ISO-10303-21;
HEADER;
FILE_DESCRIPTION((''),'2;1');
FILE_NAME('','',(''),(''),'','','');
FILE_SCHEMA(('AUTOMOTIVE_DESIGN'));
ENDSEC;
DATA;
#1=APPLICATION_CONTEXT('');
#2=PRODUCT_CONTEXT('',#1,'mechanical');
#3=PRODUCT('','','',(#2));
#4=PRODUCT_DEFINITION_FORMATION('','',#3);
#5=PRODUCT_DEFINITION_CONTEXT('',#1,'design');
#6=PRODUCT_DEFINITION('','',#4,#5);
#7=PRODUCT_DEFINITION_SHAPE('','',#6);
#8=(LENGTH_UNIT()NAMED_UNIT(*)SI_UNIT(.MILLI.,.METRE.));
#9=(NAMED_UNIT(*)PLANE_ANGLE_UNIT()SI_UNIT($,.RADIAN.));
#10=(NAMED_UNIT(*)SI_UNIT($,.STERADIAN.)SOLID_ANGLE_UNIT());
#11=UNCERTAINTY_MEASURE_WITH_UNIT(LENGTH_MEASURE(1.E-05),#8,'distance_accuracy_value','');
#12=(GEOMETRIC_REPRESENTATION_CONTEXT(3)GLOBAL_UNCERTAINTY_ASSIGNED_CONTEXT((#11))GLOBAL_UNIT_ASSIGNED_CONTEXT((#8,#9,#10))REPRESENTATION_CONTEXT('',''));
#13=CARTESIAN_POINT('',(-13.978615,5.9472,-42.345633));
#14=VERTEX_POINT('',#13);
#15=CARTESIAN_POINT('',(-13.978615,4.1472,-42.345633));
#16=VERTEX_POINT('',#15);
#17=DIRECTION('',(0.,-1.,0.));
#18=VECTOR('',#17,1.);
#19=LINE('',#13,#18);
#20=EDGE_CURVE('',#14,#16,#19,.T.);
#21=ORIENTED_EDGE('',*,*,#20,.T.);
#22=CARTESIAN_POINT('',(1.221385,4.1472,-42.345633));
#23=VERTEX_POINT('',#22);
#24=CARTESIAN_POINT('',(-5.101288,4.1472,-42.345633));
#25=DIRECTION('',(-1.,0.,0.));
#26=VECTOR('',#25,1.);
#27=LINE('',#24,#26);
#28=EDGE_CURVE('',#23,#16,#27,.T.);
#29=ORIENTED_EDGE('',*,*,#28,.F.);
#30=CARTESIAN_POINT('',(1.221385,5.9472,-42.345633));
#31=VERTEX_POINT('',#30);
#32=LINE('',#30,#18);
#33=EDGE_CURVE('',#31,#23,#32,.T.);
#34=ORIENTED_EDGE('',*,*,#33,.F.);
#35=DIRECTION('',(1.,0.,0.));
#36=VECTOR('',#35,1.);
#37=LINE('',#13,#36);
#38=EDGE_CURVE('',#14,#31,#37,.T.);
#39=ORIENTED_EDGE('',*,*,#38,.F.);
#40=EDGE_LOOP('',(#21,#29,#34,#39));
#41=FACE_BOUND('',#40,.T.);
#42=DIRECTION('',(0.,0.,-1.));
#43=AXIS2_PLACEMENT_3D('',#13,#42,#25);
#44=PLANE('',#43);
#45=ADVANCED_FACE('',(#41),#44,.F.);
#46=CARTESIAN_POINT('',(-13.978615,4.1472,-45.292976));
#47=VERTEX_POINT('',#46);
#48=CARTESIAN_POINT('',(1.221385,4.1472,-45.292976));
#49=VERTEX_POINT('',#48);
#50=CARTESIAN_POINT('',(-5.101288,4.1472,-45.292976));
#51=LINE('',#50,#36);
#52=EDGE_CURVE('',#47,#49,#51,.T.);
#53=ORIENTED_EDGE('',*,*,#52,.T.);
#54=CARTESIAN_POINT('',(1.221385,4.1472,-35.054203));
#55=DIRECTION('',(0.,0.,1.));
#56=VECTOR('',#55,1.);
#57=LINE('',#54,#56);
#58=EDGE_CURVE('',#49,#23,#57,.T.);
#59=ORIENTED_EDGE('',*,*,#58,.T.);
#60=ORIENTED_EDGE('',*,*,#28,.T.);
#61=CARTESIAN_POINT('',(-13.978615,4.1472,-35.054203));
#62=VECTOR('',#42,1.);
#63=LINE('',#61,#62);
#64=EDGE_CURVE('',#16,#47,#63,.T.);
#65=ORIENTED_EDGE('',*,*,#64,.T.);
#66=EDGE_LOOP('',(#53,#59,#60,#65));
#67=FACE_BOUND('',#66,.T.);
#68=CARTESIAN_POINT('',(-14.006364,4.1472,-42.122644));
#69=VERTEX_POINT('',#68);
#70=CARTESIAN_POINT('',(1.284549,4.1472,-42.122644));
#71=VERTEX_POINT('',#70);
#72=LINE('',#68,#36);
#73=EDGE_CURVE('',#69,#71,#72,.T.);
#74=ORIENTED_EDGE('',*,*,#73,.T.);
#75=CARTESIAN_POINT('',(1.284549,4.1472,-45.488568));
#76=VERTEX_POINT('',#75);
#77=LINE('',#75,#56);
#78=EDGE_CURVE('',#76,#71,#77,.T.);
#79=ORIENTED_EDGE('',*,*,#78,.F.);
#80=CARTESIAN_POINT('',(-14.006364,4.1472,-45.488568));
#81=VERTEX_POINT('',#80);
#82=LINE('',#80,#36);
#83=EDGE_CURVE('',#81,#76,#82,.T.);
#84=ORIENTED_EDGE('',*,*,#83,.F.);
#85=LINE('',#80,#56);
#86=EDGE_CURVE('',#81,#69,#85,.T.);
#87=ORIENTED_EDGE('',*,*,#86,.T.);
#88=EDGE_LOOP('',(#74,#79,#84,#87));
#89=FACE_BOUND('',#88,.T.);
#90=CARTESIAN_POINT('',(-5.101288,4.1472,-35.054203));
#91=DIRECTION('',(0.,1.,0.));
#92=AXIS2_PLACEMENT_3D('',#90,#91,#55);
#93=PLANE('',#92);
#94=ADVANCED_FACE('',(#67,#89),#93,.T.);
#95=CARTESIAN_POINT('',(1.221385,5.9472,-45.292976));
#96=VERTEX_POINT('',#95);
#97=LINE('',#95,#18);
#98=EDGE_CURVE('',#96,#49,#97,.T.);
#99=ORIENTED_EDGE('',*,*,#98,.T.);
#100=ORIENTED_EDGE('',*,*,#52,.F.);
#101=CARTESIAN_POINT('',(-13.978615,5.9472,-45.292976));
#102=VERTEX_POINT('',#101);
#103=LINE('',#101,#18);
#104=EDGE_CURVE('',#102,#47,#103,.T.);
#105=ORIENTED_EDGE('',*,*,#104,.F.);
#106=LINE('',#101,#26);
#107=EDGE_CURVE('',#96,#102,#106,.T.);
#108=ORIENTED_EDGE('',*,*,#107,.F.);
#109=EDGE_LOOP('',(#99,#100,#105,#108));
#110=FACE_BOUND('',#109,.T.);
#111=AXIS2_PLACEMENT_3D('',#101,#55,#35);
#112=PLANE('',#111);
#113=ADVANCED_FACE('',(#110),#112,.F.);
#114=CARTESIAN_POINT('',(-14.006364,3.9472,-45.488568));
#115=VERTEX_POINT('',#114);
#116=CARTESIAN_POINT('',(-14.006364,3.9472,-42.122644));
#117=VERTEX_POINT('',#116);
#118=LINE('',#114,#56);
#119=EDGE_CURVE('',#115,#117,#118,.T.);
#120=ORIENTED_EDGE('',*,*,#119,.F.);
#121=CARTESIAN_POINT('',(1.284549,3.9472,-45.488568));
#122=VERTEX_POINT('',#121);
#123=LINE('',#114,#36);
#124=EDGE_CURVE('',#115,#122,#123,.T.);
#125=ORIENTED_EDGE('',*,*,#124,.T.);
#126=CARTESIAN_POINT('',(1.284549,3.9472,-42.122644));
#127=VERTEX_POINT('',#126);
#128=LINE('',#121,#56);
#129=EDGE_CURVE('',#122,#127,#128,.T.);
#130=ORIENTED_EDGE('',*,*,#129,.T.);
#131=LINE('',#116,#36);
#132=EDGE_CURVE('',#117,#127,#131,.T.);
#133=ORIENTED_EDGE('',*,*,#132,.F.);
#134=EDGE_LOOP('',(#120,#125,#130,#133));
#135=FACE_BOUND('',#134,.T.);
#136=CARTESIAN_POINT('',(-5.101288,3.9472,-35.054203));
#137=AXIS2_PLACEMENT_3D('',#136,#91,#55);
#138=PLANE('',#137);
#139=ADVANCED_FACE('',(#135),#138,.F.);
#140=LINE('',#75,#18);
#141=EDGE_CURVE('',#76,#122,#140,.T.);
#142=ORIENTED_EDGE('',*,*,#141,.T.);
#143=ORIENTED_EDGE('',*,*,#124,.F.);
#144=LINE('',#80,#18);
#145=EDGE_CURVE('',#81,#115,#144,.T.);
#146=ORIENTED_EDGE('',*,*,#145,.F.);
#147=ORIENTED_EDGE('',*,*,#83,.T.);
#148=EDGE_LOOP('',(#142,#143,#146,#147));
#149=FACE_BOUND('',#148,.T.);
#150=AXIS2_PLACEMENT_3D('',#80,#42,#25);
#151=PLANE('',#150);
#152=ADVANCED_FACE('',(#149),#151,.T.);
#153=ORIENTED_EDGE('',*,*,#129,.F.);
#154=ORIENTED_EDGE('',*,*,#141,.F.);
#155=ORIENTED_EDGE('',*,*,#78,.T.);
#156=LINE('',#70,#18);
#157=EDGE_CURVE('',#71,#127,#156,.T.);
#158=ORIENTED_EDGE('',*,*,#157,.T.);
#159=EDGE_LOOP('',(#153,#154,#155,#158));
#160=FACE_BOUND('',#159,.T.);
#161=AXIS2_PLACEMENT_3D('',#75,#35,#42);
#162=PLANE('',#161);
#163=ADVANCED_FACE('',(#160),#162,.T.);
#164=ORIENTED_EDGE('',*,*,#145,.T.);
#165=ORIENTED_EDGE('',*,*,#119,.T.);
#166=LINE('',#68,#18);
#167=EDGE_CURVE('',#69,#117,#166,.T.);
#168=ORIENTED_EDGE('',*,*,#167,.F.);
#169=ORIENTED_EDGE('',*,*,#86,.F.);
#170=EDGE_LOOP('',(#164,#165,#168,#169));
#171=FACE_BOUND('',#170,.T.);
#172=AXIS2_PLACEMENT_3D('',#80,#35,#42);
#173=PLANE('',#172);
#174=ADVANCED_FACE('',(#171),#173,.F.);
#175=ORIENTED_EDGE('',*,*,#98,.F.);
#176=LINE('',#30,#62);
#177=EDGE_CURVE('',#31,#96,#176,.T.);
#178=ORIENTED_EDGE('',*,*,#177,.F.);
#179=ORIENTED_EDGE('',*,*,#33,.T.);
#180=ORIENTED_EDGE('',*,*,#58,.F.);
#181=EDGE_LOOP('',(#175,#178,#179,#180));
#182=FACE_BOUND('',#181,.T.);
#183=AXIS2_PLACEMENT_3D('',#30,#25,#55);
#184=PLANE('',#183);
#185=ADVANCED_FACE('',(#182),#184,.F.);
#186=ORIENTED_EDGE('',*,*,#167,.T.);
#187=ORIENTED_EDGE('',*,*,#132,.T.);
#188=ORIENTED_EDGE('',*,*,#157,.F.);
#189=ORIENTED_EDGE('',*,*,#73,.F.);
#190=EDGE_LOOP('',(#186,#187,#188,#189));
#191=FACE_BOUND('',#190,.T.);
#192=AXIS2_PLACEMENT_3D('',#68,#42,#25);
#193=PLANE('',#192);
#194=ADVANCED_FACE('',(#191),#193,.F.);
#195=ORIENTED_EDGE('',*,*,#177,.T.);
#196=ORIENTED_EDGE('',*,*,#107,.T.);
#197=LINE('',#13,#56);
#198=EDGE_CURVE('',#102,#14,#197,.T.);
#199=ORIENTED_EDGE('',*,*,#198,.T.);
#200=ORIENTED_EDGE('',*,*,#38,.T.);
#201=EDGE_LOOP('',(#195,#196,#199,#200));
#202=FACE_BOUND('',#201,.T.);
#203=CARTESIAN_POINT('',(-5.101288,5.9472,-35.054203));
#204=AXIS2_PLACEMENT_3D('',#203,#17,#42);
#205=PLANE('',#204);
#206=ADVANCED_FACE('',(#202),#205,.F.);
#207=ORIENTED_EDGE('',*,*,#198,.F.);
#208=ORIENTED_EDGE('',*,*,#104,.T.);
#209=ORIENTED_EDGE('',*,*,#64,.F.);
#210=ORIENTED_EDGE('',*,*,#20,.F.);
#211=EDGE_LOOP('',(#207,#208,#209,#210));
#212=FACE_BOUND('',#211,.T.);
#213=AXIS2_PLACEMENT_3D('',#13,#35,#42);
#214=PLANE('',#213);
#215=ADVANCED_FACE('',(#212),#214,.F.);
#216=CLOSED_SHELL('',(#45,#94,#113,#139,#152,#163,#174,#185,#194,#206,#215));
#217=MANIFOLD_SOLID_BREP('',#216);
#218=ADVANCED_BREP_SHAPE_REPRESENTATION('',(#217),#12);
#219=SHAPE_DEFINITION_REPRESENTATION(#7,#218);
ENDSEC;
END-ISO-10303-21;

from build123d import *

# Parameters (mm, degrees)
SKETCH1_W           = 76.454565701
SKETCH1_H           = 16.829621381
BOSS_EXTRUDE1_DEPTH = 1
SKETCH3_W           = 76
SKETCH3_H           = 14.736718314
BOSS_EXTRUDE2_DEPTH = 10
SCALE1_SCALE        = 0.2


with BuildPart() as part:
    # Sketch1 → Boss-Extrude1 (new body)
    with BuildSketch(Plane(origin=(0, 0, 0), x_dir=(1, 0, 0), z_dir=(0, 1, 0))):
        with Locations((-6.298094695, 43.757015591)):
            Rectangle(SKETCH1_W, SKETCH1_H)
    extrude(amount=BOSS_EXTRUDE1_DEPTH)

    # Sketch3 → Boss-Extrude2 (add)
    with BuildSketch(Plane(origin=(0, 0, 0), x_dir=(1, 0, 0), z_dir=(0, 1, 0))):
        with Locations((-6.386632835, 43.82550718)):
            Rectangle(SKETCH3_W, SKETCH3_H)
    extrude(amount=BOSS_EXTRUDE2_DEPTH)


with BuildPart() as part_1:
    # Scale1: scaled about (-6.376610315, 4.933999832, -43.81775393)
    add(part.part.scale(SCALE1_SCALE).moved(Location((-5.101288252, 3.947199866, -35.054203144))))


solid = part_1.part
